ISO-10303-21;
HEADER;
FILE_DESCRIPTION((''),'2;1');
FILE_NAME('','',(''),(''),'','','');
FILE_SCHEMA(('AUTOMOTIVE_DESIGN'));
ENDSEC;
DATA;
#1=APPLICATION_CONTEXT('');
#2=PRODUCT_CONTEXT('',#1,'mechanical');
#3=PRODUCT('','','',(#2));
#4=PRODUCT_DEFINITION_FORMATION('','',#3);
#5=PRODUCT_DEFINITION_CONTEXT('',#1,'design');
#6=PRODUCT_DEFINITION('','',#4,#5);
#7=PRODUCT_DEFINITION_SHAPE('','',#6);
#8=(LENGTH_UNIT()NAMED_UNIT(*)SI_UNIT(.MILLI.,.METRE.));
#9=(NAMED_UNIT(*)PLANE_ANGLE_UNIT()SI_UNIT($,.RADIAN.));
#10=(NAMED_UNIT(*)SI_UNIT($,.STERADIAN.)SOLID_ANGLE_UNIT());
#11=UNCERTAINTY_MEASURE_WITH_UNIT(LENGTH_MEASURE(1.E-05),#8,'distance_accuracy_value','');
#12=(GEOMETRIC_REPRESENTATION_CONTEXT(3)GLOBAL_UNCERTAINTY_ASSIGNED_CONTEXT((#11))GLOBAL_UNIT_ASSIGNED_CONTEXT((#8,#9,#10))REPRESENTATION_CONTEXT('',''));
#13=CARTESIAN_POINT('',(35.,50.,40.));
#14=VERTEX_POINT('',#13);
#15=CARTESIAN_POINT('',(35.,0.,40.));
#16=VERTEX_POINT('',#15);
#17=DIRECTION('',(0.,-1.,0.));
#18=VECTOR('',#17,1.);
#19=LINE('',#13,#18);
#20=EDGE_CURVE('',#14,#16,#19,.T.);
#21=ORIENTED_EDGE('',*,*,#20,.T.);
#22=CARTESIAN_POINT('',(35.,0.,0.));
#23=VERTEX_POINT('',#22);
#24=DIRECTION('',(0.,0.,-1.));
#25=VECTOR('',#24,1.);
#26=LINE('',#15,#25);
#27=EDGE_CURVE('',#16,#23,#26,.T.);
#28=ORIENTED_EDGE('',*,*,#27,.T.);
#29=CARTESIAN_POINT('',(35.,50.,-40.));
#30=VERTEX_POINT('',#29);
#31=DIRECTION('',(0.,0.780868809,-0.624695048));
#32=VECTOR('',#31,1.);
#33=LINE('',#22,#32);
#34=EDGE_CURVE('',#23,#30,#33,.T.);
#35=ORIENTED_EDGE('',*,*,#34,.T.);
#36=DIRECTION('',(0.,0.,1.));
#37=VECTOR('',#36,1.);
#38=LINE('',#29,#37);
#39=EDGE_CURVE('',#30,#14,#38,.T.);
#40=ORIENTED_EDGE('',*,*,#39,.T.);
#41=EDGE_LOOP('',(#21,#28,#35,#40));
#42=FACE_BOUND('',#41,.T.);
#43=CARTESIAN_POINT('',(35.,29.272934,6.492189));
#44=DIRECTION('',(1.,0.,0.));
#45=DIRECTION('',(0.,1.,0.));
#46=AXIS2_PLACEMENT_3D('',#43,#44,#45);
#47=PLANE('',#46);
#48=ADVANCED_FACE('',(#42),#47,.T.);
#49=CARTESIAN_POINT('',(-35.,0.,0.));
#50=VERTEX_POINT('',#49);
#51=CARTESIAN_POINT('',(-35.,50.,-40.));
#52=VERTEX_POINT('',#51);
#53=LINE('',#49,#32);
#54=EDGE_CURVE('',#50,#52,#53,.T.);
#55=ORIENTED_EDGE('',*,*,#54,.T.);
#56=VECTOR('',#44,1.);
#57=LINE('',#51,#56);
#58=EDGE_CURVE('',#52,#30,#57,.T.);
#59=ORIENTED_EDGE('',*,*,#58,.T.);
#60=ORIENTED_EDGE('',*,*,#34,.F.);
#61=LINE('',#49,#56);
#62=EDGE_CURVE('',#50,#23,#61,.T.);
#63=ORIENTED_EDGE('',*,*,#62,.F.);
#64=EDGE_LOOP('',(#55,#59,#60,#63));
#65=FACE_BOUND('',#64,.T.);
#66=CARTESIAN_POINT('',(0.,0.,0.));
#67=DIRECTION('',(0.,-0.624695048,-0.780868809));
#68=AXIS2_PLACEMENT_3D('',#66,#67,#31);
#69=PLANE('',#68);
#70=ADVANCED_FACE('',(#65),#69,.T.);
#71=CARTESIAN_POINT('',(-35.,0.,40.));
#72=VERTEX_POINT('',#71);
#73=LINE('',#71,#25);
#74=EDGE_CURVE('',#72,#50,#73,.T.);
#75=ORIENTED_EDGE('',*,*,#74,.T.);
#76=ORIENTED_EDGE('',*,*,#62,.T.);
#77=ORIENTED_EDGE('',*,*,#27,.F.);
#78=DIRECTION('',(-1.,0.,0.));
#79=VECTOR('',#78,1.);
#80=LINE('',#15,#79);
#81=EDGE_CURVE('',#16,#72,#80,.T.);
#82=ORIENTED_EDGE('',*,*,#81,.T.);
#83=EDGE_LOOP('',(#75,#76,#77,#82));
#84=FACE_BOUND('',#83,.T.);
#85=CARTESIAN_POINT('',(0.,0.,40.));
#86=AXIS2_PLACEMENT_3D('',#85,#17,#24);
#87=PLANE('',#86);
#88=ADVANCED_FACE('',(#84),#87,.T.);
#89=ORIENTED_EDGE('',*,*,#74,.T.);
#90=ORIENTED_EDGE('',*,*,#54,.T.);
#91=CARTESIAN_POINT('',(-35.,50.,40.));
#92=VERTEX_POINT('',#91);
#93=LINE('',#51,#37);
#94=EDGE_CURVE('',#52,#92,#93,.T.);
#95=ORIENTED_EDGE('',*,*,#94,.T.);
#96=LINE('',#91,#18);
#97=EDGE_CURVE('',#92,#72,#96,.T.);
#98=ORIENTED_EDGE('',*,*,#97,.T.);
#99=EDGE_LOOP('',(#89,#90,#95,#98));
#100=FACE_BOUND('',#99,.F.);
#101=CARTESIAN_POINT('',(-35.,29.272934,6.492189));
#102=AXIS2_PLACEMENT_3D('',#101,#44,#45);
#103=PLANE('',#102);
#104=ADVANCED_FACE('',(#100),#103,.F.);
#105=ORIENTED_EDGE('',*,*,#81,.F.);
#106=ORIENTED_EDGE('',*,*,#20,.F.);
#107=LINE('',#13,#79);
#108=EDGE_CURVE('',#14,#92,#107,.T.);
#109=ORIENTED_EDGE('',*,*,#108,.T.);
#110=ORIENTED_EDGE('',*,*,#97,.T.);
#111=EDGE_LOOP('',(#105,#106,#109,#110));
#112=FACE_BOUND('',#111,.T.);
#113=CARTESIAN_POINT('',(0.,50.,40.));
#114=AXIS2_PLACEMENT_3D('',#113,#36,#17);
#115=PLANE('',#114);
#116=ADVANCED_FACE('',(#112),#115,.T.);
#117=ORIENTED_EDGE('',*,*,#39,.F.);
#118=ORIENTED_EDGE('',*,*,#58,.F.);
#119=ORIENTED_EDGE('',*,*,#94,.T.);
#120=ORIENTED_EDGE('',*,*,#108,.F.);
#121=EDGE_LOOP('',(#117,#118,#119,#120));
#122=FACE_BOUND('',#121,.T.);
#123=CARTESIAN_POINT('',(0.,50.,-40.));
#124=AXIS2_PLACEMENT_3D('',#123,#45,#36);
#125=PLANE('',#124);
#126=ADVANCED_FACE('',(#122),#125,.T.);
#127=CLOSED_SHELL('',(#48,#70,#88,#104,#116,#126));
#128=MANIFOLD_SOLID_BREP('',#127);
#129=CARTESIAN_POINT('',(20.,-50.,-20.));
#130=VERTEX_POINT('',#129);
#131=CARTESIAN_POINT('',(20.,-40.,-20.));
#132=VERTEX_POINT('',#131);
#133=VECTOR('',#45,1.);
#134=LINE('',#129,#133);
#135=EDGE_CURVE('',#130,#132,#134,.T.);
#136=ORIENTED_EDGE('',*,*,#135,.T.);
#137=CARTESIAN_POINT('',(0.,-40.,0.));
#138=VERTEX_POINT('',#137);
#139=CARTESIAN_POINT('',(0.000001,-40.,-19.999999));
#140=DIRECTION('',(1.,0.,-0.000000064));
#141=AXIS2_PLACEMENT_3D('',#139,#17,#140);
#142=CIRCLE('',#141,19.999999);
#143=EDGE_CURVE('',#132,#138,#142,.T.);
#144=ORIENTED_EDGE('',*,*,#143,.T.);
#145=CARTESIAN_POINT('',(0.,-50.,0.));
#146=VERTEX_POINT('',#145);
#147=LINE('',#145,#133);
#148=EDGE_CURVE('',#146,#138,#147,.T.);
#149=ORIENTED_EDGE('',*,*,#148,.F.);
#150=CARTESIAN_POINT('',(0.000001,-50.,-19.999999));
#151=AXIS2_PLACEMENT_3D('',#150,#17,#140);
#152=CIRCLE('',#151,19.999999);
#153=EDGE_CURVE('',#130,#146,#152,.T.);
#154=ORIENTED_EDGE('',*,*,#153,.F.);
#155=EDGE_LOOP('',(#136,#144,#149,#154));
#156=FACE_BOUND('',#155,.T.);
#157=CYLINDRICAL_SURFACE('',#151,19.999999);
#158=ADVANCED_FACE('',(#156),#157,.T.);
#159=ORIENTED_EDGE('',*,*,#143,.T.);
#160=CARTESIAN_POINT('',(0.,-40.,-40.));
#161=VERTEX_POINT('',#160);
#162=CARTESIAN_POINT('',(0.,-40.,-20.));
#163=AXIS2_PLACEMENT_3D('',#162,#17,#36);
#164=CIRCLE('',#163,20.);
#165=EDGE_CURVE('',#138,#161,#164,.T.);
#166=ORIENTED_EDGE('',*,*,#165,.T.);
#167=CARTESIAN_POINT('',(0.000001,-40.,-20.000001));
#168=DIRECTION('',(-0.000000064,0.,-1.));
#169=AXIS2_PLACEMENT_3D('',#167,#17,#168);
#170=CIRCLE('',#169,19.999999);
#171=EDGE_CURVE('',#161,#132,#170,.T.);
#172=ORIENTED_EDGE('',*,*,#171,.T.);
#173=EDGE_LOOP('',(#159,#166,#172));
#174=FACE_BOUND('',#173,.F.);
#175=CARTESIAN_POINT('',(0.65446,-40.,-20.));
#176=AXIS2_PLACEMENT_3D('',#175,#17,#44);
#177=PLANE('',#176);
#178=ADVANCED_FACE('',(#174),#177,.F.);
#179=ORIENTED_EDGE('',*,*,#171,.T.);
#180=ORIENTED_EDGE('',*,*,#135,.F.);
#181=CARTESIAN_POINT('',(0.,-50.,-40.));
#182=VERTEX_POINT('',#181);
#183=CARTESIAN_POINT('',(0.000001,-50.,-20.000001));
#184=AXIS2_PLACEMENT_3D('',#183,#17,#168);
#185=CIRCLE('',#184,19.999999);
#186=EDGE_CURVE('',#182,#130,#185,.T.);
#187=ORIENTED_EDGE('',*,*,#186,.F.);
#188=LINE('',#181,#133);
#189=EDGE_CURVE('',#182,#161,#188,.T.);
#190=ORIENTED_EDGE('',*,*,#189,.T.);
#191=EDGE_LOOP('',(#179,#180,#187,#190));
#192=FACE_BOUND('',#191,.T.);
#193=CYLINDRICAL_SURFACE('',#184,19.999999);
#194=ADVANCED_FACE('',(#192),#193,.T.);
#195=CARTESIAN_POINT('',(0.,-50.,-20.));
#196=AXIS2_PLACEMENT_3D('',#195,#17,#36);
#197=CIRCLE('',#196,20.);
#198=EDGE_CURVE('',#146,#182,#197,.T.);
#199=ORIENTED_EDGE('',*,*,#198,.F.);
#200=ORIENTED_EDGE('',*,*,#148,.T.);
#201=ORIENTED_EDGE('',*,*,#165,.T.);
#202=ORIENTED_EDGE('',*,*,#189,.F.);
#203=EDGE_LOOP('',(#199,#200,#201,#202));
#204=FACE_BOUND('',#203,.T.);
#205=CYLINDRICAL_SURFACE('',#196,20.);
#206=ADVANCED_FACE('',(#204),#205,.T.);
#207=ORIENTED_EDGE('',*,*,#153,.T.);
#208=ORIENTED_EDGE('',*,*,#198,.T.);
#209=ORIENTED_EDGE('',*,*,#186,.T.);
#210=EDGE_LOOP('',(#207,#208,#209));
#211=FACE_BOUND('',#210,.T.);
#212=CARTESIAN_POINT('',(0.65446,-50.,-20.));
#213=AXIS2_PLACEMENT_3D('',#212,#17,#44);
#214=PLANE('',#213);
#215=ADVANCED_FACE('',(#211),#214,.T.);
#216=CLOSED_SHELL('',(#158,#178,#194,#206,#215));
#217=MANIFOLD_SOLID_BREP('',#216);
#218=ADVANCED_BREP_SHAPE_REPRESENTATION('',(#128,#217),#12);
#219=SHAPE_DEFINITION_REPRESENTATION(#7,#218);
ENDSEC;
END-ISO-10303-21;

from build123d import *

# Parameters (mm, degrees)
F1_DEPTH = 35
F4_DEPTH = 10


with BuildPart() as f1:
    # F0 (on Right) → F1 (new body, symmetric)
    with BuildSketch(Plane.YZ):
        Polygon((0, 40), (0, 0), (50, -40), (50, 40), align=None)
    extrude(amount=F1_DEPTH, both=True)


with BuildPart() as f4:
    # F3 (on offset) → F4 (new body)
    with BuildSketch(Plane.XZ.offset(50)):
        with BuildLine():
            ThreePointArc((0, -40), (14.142136, -34.142136), (20, -20))
            ThreePointArc((20, -20), (14.142136, -5.857864), (0, 0))
            ThreePointArc((0, 0), (-20, -20), (0, -40))
        make_face()
    extrude(amount=-F4_DEPTH)


solid = Compound([f1.part, f4.part])
